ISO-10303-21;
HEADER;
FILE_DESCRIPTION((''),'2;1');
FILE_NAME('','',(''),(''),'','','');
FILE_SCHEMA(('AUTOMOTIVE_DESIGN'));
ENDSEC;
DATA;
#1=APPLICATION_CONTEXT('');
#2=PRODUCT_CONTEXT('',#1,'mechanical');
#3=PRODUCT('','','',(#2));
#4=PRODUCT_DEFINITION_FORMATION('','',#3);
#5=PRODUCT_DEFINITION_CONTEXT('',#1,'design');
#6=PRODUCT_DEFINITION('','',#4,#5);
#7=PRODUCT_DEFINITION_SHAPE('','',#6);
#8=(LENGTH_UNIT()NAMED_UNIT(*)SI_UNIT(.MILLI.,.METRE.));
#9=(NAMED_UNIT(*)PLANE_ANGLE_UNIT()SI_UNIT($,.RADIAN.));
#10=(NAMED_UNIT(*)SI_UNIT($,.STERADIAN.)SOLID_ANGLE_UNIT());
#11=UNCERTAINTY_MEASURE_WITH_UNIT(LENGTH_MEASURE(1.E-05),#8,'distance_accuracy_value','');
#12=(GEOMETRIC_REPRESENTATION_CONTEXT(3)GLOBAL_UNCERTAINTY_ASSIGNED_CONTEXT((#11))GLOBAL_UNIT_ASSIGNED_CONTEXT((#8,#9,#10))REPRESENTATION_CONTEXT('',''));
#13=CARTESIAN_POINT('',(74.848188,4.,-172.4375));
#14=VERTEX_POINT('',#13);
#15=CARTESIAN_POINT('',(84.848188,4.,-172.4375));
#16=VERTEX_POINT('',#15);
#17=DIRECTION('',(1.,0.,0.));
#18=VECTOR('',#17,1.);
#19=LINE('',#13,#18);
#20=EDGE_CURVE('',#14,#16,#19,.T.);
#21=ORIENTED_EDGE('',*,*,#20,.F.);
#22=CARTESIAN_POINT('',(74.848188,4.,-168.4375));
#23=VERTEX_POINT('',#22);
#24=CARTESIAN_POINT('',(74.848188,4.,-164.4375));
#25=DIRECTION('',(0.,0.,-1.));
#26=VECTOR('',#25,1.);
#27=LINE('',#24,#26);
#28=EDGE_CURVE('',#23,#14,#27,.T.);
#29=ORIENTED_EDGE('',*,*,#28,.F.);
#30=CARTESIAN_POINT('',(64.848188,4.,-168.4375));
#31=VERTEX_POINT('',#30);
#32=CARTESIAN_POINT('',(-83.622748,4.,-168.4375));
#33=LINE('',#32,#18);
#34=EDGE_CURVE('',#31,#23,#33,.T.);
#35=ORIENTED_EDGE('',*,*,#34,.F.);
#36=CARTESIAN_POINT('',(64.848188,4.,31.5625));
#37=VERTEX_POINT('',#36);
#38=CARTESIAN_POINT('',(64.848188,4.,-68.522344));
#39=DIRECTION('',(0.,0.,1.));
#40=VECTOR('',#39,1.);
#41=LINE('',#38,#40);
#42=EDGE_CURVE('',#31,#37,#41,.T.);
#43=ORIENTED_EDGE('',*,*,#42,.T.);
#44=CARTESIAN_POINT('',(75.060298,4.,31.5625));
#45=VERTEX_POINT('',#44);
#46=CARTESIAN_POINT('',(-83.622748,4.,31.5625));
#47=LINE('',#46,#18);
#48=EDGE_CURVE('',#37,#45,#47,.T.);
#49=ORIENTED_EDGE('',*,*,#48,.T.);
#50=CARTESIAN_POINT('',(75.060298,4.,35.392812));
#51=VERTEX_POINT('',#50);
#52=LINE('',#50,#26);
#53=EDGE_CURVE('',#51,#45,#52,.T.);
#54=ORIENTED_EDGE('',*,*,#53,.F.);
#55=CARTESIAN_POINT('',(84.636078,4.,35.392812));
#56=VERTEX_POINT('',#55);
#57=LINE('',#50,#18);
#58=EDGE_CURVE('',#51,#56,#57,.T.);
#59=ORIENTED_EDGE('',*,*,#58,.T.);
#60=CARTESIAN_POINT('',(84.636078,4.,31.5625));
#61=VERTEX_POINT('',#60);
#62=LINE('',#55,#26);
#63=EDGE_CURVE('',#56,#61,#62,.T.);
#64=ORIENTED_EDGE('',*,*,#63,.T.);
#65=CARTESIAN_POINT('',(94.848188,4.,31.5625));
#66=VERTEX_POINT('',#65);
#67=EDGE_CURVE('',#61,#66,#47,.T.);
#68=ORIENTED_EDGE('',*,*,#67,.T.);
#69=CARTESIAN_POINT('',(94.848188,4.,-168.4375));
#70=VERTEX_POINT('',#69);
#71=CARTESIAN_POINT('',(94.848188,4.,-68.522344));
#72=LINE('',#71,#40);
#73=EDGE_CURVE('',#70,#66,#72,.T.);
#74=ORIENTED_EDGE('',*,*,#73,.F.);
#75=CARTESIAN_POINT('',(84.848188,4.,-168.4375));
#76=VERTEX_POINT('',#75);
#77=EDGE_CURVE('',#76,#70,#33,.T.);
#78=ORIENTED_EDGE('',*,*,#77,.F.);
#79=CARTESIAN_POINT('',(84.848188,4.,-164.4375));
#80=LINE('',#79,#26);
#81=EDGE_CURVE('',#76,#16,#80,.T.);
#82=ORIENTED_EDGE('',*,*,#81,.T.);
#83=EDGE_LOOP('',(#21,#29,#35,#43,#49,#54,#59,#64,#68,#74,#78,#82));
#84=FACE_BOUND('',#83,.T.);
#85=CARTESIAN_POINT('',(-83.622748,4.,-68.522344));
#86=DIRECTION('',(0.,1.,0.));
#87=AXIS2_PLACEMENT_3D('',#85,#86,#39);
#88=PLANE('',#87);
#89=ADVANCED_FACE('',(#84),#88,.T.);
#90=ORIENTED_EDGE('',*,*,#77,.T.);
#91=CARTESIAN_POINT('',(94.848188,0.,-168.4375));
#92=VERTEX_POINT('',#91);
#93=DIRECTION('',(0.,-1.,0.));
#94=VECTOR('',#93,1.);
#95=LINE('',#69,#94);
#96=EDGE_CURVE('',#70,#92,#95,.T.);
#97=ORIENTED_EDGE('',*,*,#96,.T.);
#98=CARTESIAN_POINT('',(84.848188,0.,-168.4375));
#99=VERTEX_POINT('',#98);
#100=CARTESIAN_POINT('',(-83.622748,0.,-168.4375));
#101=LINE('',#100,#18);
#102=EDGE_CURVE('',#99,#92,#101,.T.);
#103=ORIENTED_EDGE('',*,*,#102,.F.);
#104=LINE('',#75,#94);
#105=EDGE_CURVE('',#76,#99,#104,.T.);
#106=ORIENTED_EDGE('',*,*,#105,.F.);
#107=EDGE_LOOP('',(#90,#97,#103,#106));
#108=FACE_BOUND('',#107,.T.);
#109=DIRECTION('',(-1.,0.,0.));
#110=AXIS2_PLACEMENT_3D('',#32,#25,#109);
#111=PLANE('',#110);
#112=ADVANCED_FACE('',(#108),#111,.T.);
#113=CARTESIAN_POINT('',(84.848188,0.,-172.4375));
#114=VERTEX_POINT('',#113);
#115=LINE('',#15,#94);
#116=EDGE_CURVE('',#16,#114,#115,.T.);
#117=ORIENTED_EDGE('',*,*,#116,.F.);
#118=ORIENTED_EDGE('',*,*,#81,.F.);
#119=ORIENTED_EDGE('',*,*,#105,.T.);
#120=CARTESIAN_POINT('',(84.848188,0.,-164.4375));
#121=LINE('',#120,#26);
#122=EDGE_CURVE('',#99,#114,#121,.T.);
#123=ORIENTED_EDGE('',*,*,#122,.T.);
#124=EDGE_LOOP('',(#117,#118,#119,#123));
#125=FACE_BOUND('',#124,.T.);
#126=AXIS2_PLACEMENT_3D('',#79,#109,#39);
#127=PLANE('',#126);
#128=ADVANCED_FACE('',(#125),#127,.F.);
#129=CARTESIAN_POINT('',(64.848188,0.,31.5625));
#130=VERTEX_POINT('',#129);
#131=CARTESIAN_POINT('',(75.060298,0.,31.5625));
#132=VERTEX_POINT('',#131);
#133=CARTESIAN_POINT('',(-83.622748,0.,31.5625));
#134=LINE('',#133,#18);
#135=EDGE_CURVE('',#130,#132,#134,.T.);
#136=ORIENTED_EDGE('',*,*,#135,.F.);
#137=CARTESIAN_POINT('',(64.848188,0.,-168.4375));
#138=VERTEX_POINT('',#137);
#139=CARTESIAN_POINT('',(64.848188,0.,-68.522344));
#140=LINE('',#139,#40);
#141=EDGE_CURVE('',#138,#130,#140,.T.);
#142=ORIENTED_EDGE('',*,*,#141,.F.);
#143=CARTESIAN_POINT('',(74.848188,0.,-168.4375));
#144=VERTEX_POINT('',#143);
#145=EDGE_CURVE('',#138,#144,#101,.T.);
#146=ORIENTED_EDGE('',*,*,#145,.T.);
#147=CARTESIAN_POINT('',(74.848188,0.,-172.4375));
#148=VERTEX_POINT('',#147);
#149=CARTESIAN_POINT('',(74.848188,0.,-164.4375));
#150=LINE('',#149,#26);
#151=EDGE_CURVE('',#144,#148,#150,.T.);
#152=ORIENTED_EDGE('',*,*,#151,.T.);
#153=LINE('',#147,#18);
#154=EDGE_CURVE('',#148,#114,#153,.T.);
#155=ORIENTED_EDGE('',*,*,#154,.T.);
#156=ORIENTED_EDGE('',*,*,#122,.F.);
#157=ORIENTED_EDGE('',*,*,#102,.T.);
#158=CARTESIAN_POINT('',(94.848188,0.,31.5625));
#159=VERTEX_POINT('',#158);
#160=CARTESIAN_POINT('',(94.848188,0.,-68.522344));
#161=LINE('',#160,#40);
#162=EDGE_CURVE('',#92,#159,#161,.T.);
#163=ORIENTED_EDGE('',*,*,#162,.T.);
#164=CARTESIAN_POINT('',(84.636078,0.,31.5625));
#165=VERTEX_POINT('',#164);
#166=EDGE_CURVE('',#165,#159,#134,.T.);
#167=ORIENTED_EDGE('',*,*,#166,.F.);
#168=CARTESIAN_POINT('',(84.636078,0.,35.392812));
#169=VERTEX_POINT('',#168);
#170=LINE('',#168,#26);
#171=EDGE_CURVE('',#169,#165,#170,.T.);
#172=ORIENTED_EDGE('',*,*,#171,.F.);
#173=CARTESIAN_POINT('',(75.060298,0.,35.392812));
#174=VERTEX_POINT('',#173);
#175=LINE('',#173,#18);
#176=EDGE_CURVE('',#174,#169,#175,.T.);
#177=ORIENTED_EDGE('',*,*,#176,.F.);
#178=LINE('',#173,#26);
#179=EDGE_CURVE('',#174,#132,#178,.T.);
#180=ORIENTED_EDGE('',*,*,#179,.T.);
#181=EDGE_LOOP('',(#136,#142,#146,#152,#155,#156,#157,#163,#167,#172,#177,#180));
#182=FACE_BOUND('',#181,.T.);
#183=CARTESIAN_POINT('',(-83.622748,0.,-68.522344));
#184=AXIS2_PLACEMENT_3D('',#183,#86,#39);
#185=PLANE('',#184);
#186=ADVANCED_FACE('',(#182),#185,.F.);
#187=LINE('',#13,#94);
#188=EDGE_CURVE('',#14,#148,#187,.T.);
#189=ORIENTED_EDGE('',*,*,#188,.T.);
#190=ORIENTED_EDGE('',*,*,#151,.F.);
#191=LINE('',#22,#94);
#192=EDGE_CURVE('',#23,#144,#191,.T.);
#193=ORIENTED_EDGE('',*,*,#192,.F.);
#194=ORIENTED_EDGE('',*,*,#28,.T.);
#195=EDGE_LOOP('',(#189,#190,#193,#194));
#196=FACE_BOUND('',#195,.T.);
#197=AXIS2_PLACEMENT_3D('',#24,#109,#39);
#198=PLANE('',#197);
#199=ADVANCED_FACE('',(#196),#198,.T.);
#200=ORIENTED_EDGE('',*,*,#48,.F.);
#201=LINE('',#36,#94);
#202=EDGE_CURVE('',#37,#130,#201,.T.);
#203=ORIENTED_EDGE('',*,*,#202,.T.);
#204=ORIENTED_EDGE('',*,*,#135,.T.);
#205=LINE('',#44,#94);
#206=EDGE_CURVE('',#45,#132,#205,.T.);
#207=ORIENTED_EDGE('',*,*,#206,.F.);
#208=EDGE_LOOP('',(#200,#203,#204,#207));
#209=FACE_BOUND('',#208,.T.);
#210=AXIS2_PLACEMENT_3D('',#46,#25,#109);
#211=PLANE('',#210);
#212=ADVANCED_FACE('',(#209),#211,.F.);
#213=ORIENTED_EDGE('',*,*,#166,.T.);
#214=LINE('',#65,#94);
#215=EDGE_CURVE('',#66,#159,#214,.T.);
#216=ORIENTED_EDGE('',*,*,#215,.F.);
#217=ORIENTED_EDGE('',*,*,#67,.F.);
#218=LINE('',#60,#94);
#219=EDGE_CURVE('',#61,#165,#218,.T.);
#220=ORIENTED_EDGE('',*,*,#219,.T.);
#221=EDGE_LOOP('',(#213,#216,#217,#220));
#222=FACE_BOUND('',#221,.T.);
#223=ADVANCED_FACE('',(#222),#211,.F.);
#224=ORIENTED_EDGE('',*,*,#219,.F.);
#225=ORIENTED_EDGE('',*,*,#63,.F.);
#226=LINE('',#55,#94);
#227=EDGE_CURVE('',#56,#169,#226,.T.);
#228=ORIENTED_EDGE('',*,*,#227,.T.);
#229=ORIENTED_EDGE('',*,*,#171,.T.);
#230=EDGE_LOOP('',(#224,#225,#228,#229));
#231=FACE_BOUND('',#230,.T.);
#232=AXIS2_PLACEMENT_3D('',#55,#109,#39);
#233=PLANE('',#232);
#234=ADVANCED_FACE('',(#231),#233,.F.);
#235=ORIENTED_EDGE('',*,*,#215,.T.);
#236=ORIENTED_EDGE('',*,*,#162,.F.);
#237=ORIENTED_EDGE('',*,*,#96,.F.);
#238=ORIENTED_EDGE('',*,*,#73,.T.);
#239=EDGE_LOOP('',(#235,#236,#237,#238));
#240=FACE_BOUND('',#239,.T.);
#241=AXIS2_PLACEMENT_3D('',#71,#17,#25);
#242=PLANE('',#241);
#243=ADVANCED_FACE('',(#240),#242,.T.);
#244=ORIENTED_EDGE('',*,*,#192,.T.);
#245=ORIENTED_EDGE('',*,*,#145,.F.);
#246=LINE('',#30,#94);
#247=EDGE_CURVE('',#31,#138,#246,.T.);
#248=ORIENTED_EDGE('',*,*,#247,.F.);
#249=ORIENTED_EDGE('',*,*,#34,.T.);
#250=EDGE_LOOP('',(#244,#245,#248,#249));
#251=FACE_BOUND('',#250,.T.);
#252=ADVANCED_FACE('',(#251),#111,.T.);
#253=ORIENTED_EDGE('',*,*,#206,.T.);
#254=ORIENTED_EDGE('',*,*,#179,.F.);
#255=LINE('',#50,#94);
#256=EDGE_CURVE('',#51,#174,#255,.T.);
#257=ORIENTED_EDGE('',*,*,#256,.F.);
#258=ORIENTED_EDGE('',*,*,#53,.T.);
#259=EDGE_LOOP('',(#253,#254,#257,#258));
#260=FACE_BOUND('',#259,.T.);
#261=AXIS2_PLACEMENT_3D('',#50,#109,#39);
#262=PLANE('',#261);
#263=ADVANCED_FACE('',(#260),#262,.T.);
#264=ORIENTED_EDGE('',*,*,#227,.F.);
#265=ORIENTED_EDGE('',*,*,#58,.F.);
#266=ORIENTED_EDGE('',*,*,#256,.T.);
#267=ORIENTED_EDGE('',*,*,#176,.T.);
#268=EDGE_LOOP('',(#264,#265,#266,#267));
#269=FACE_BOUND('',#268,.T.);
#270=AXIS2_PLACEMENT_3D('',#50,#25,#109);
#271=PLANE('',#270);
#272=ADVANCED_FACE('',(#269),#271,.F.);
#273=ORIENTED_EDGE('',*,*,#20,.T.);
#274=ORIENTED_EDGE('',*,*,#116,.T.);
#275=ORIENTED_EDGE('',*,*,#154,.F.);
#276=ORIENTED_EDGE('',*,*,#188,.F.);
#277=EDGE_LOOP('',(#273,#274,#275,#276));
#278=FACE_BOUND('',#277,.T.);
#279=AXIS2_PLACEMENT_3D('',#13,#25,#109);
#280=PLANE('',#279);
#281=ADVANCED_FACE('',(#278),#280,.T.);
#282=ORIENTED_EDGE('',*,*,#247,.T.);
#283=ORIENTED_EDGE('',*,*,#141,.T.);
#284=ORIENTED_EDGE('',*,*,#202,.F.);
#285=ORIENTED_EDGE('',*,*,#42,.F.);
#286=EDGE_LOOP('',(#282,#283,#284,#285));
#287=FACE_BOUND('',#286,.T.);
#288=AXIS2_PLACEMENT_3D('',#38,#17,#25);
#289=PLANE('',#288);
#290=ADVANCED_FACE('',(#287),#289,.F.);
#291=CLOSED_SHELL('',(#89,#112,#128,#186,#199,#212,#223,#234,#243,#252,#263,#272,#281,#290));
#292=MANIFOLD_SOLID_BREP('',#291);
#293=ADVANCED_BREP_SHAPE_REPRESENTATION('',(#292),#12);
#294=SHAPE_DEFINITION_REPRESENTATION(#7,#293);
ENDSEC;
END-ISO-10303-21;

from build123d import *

# Parameters (mm, degrees)
SKETCH1_W           = 9.575779147
SKETCH1_H           = 7.660623318
SKETCH1_W_2         = 30
SKETCH1_H_2         = 200
SKETCH1_W_3         = 10
SKETCH1_H_3         = 8
BOSS_EXTRUDE1_DEPTH = 4


with BuildPart() as part:
    # Sketch1 → Boss-Extrude1 (new body)
    with BuildSketch(Plane(origin=(0, 0, 0), x_dir=(1, 0, 0), z_dir=(0, 1, 0))):
        with Locations((79.848188069, -31.56250034)):
            Rectangle(SKETCH1_W, SKETCH1_H)
        with Locations((79.848188068, 68.43749966)):
            Rectangle(SKETCH1_W_2, SKETCH1_H_2)
        with Locations((79.848188068, 168.43749966)):
            Rectangle(SKETCH1_W_3, SKETCH1_H_3)
    extrude(amount=BOSS_EXTRUDE1_DEPTH)


solid = part.part
